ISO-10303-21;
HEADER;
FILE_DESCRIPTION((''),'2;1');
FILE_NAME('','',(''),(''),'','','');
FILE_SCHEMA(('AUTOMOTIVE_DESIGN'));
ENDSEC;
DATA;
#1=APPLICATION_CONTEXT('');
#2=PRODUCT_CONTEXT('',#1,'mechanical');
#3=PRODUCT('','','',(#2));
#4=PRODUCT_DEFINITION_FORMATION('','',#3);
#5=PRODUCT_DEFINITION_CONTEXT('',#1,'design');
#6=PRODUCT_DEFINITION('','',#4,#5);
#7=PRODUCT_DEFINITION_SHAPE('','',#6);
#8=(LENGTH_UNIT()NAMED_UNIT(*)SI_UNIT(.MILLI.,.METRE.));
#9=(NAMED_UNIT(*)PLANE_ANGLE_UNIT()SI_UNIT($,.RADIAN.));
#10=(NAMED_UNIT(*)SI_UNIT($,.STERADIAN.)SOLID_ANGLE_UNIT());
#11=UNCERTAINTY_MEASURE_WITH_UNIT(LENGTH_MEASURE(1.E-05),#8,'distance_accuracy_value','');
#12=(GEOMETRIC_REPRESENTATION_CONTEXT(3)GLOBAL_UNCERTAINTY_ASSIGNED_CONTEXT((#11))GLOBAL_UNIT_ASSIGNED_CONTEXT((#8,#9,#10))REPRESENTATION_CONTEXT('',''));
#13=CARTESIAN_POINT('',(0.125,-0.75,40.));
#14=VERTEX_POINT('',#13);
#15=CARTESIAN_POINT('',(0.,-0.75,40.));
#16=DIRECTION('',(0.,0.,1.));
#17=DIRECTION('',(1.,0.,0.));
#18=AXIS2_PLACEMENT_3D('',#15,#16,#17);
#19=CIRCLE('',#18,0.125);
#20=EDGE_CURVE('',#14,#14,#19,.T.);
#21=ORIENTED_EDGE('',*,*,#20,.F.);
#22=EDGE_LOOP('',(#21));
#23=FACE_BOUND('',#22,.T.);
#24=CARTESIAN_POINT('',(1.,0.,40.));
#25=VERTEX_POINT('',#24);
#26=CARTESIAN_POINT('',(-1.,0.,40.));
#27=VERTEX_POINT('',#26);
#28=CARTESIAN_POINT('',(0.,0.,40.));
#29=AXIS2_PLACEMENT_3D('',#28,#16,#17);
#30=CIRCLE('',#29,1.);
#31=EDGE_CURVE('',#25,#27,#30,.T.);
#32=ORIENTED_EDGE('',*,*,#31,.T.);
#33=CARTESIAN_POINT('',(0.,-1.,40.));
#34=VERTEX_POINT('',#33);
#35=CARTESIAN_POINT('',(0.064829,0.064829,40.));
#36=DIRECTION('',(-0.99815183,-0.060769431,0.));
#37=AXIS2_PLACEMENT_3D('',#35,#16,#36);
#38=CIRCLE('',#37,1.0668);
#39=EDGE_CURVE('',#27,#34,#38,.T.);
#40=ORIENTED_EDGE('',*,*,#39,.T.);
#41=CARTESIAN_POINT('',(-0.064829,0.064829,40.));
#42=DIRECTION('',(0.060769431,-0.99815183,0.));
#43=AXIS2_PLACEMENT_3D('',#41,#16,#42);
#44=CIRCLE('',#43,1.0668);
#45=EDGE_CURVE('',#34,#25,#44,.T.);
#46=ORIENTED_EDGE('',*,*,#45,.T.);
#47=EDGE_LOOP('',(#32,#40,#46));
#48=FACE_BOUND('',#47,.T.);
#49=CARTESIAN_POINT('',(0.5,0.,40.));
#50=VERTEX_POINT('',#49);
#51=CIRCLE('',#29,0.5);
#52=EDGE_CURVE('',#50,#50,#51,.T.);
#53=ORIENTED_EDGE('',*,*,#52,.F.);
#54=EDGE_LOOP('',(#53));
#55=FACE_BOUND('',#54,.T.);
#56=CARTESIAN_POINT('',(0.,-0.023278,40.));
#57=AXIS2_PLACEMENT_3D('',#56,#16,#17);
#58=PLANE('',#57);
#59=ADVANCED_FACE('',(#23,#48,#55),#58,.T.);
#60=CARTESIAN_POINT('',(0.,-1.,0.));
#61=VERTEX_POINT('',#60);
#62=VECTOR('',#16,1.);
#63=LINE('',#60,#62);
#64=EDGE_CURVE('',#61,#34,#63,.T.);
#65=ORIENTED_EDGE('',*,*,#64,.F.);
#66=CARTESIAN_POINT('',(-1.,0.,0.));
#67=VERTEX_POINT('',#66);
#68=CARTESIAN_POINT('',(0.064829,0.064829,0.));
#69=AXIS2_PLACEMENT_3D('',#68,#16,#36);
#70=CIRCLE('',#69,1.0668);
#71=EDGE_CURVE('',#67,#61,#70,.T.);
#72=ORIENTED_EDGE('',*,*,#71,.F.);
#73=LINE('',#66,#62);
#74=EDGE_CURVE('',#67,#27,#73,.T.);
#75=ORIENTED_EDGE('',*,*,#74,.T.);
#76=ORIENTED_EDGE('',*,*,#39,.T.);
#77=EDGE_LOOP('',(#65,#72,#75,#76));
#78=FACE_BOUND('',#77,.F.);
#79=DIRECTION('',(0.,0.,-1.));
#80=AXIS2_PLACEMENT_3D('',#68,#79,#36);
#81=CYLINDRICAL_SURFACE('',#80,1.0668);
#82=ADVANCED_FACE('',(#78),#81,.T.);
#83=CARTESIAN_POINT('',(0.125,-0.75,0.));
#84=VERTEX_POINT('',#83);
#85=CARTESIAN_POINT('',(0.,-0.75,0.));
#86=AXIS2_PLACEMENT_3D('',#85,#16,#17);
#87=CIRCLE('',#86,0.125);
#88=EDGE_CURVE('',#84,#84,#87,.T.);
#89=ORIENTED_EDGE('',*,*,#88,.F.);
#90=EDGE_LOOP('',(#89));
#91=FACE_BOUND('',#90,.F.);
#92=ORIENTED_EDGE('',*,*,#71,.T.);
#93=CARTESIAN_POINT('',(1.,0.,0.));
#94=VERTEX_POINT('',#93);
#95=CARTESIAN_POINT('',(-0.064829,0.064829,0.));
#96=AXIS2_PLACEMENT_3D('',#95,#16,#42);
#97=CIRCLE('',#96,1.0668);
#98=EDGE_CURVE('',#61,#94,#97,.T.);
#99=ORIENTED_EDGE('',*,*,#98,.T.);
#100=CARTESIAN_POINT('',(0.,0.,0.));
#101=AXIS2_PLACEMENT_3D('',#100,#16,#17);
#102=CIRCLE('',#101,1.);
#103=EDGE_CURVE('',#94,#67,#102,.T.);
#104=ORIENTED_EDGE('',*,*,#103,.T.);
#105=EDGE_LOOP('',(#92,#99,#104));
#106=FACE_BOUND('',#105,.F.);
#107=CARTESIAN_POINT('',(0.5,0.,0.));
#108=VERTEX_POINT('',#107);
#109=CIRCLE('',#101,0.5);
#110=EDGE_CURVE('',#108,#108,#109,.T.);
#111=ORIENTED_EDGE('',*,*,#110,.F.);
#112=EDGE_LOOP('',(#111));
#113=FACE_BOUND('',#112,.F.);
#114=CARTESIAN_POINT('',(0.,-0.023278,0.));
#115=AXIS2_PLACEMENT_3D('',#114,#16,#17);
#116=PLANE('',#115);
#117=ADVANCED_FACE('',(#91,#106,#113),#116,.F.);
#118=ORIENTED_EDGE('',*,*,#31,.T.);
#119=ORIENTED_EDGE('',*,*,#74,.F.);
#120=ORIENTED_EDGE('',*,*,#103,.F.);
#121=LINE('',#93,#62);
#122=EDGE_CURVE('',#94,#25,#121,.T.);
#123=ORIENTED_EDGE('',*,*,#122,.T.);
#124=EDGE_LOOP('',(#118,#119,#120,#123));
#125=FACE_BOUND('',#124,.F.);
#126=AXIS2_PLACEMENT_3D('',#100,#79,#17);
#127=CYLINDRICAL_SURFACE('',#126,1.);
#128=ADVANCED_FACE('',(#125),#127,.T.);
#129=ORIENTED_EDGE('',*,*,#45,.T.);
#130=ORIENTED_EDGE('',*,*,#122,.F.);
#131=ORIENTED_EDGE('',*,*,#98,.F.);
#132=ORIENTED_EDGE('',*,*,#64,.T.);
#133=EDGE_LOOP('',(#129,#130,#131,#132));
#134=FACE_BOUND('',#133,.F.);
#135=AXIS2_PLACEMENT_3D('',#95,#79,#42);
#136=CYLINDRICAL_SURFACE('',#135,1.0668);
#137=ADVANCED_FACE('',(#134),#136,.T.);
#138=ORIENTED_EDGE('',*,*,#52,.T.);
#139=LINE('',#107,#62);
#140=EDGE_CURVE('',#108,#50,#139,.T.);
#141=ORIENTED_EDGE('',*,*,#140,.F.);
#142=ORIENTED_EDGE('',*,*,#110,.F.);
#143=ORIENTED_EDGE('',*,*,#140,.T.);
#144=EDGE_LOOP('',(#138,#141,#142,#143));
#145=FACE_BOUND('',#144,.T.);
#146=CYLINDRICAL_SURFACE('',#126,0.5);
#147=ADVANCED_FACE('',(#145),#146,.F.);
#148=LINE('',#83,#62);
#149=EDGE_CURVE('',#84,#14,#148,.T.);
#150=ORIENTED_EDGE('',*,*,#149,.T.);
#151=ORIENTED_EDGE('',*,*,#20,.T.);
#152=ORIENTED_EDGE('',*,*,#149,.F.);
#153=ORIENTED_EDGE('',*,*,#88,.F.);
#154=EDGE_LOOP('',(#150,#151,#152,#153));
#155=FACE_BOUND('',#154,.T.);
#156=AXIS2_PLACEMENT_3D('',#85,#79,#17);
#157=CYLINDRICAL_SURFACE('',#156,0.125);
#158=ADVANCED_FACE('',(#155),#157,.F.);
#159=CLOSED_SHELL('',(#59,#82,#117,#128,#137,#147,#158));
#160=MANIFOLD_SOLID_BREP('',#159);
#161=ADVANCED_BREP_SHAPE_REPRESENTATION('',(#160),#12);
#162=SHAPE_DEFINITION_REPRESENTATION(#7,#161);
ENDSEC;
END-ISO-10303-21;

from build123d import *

# Parameters (mm, degrees)
F0_R     = 0.125
F0_R_2   = 0.5
F1_DEPTH = 40


with BuildPart() as f1:
    # F0 (on Top) → F1 (new body)
    with BuildSketch(Plane.XY):
        with BuildLine():
            ThreePointArc((0, -1), (0.689513, -0.689513), (1, 0))
            ThreePointArc((1, 0), (0, 1), (-1, 0))
            ThreePointArc((-1, 0), (-0.689513, -0.689513), (0, -1))
        make_face()
        with Locations((0, -0.75)):
            Circle(F0_R, mode=Mode.SUBTRACT)
        Circle(F0_R_2, mode=Mode.SUBTRACT)
    extrude(amount=F1_DEPTH)


solid = f1.part
